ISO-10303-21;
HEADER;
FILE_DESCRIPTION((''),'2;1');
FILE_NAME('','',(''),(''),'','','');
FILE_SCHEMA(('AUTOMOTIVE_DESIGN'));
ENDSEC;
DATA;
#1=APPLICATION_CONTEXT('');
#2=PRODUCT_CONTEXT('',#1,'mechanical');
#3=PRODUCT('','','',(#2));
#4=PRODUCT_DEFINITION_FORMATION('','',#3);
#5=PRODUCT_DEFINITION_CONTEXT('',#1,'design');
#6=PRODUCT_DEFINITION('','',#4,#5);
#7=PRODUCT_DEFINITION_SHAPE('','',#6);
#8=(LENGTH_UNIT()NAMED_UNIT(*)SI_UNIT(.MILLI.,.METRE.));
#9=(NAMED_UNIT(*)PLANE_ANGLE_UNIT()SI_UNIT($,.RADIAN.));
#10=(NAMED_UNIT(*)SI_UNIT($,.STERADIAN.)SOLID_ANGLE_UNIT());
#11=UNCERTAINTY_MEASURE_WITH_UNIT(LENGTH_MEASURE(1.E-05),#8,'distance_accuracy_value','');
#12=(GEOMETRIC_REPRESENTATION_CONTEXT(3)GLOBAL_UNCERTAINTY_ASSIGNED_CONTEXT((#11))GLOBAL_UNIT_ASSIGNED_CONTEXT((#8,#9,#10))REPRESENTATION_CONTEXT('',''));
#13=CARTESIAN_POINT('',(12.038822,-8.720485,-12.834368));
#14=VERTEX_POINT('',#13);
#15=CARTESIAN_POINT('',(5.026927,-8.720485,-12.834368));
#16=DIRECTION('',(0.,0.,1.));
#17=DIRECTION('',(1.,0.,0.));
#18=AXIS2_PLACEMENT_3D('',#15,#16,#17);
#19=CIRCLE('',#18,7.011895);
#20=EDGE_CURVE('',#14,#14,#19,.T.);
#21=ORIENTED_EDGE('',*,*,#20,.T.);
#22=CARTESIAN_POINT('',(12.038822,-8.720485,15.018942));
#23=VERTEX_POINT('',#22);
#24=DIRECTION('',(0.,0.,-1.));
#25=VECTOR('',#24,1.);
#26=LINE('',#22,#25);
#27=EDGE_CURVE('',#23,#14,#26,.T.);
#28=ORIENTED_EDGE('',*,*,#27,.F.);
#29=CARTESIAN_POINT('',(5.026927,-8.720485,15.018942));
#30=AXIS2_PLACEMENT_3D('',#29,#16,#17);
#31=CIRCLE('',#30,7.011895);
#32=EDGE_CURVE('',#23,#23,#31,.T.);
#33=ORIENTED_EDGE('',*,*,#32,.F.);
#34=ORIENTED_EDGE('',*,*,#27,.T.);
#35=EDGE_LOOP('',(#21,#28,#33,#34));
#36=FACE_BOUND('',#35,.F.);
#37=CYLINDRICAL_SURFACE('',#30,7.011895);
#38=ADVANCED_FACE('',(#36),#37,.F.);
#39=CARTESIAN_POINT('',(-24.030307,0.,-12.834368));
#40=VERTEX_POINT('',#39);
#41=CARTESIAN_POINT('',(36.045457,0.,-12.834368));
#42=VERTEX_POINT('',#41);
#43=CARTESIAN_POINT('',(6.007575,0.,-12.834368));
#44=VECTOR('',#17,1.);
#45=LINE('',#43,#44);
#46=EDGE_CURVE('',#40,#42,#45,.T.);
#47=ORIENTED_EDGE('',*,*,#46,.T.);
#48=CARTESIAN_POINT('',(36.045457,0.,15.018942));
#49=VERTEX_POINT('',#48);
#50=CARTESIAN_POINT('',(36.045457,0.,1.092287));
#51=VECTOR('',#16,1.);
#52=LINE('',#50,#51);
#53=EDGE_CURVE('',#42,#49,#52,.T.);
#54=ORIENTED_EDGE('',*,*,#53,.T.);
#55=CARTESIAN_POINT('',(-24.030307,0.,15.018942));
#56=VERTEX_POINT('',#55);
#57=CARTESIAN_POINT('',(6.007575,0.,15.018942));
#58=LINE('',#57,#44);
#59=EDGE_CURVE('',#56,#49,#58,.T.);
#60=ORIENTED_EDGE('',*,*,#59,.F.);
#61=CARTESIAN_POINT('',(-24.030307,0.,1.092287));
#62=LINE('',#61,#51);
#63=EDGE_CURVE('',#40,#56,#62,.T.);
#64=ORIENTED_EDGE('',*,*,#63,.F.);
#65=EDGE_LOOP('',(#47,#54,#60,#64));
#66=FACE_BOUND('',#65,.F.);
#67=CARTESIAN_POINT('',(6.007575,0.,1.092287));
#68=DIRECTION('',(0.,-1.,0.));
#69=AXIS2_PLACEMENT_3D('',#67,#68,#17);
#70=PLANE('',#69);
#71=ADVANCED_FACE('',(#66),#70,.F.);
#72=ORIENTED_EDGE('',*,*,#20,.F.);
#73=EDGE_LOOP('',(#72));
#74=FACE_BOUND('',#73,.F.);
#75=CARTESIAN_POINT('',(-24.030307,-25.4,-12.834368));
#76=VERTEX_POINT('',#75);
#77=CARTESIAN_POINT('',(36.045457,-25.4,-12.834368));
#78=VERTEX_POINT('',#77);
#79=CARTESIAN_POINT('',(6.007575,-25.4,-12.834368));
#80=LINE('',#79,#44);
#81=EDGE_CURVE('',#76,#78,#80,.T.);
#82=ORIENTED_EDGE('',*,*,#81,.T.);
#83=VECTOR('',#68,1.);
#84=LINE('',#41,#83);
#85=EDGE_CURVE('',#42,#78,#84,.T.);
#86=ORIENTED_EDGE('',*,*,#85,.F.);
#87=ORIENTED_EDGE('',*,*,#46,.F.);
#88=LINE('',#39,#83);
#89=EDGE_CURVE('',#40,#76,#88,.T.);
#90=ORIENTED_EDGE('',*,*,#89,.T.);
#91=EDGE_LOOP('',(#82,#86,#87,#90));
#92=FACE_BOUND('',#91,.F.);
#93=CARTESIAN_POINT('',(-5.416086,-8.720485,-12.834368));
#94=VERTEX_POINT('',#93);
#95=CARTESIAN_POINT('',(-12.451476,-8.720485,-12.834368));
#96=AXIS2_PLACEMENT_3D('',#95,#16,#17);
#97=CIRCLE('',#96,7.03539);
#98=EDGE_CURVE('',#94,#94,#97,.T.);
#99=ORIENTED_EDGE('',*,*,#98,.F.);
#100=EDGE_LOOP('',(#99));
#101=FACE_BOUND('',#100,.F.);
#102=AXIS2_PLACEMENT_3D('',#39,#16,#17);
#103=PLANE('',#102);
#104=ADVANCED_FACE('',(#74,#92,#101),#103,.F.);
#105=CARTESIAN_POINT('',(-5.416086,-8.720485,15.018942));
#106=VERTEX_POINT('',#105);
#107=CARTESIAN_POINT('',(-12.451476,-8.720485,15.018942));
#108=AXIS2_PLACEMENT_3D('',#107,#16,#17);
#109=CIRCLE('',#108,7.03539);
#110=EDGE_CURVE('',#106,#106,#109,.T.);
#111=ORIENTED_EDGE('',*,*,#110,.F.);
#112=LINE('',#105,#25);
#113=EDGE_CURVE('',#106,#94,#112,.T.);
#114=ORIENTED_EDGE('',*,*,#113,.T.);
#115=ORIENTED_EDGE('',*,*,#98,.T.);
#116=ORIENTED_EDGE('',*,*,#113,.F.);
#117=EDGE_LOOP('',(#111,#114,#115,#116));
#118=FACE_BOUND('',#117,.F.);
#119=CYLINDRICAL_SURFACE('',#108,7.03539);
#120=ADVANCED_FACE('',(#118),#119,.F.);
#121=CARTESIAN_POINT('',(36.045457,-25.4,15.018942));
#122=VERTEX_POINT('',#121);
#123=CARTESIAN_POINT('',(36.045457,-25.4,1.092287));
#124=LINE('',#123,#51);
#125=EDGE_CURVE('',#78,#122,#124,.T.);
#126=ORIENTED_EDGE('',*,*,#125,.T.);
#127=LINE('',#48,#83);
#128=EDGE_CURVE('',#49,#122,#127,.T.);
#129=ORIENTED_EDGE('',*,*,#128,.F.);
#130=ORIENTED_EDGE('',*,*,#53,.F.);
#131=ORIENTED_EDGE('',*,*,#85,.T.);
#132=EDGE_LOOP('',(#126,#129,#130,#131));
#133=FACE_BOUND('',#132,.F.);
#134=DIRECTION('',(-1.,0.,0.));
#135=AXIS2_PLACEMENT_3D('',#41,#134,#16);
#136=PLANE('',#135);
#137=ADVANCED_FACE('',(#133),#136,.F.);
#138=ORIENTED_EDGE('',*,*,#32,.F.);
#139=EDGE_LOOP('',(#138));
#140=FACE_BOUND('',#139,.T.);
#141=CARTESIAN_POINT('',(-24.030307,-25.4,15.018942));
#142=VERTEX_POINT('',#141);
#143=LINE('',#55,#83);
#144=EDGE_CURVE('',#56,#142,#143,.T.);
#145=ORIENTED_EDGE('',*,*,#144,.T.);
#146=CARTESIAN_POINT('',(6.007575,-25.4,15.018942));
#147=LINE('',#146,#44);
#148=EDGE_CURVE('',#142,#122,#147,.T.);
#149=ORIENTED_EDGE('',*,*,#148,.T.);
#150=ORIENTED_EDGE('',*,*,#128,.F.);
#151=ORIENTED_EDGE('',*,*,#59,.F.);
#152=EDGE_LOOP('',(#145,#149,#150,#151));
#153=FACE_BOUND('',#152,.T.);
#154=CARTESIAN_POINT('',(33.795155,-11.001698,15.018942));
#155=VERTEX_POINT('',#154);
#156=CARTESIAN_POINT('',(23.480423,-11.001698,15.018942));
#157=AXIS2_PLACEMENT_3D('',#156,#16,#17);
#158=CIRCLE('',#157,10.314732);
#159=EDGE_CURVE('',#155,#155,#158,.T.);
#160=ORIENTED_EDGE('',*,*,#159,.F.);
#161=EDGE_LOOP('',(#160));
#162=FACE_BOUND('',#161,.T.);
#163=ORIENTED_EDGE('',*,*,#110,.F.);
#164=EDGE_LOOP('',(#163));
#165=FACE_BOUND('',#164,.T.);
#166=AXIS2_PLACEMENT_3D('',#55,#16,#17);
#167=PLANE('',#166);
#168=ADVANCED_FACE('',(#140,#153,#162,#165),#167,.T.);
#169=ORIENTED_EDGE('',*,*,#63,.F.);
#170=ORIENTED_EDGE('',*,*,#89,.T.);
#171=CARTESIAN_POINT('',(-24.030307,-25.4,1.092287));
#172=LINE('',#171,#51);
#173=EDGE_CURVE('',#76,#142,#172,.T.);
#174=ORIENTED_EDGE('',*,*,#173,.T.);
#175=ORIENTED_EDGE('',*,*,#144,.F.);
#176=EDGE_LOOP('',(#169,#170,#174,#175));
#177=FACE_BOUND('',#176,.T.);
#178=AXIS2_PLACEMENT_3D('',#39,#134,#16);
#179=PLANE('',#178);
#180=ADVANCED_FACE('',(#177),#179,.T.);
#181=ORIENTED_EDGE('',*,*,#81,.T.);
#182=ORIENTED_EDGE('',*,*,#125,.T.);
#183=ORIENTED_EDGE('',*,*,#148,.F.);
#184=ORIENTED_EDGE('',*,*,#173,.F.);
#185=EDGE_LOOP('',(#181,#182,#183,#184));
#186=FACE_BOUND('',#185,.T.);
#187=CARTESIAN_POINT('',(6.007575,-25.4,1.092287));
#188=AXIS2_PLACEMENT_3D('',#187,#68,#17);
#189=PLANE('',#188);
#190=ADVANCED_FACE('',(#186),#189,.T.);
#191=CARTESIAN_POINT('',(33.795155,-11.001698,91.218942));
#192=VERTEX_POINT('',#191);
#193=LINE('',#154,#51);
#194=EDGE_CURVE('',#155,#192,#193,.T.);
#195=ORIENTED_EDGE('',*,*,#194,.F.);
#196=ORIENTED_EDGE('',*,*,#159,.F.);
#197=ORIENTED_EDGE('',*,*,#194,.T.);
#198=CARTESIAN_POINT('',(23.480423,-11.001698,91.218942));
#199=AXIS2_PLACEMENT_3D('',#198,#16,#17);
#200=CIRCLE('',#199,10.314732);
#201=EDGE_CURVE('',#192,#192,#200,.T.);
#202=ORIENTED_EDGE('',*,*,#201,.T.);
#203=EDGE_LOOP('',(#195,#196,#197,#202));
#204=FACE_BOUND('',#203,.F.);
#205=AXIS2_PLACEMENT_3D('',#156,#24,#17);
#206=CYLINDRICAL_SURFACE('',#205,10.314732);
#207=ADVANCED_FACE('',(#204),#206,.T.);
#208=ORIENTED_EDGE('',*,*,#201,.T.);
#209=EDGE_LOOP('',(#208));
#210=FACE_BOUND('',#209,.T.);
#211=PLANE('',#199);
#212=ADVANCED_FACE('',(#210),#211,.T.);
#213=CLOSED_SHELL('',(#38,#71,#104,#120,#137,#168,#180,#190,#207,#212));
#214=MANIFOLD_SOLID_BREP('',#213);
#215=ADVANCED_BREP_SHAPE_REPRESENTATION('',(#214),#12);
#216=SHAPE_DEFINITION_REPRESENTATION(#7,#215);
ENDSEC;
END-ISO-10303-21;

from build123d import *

# Parameters (mm, degrees)
F0_W     = 60.075765
F0_H     = 27.85331
F1_DEPTH = 25.4
F2_R     = 7.011895
F2_R_2   = 7.03539
F3_DEPTH = 50.8
F4_R     = 10.314732
F5_DEPTH = 76.2


with BuildPart() as f1:
    # F0 (on Front) → F1 (new body)
    with BuildSketch(Plane.XZ):
        with Locations((6.007575, 1.092287)):
            Rectangle(F0_W, F0_H)
    extrude(amount=F1_DEPTH)

    # F2 (on face) → F3 (cut)
    with BuildSketch(Plane.XY.offset(15.018942)):
        with Locations((5.026927, -8.720485)):
            Circle(F2_R)
        with Locations((-12.451476, -8.720485)):
            Circle(F2_R_2)
    extrude(amount=-F3_DEPTH, mode=Mode.SUBTRACT)

    # F4 (on face) → F5 (join)
    with BuildSketch(Plane.XY.offset(15.018942)):
        with Locations((23.480423, -11.001698)):
            Circle(F4_R)
    extrude(amount=F5_DEPTH)


solid = f1.part
